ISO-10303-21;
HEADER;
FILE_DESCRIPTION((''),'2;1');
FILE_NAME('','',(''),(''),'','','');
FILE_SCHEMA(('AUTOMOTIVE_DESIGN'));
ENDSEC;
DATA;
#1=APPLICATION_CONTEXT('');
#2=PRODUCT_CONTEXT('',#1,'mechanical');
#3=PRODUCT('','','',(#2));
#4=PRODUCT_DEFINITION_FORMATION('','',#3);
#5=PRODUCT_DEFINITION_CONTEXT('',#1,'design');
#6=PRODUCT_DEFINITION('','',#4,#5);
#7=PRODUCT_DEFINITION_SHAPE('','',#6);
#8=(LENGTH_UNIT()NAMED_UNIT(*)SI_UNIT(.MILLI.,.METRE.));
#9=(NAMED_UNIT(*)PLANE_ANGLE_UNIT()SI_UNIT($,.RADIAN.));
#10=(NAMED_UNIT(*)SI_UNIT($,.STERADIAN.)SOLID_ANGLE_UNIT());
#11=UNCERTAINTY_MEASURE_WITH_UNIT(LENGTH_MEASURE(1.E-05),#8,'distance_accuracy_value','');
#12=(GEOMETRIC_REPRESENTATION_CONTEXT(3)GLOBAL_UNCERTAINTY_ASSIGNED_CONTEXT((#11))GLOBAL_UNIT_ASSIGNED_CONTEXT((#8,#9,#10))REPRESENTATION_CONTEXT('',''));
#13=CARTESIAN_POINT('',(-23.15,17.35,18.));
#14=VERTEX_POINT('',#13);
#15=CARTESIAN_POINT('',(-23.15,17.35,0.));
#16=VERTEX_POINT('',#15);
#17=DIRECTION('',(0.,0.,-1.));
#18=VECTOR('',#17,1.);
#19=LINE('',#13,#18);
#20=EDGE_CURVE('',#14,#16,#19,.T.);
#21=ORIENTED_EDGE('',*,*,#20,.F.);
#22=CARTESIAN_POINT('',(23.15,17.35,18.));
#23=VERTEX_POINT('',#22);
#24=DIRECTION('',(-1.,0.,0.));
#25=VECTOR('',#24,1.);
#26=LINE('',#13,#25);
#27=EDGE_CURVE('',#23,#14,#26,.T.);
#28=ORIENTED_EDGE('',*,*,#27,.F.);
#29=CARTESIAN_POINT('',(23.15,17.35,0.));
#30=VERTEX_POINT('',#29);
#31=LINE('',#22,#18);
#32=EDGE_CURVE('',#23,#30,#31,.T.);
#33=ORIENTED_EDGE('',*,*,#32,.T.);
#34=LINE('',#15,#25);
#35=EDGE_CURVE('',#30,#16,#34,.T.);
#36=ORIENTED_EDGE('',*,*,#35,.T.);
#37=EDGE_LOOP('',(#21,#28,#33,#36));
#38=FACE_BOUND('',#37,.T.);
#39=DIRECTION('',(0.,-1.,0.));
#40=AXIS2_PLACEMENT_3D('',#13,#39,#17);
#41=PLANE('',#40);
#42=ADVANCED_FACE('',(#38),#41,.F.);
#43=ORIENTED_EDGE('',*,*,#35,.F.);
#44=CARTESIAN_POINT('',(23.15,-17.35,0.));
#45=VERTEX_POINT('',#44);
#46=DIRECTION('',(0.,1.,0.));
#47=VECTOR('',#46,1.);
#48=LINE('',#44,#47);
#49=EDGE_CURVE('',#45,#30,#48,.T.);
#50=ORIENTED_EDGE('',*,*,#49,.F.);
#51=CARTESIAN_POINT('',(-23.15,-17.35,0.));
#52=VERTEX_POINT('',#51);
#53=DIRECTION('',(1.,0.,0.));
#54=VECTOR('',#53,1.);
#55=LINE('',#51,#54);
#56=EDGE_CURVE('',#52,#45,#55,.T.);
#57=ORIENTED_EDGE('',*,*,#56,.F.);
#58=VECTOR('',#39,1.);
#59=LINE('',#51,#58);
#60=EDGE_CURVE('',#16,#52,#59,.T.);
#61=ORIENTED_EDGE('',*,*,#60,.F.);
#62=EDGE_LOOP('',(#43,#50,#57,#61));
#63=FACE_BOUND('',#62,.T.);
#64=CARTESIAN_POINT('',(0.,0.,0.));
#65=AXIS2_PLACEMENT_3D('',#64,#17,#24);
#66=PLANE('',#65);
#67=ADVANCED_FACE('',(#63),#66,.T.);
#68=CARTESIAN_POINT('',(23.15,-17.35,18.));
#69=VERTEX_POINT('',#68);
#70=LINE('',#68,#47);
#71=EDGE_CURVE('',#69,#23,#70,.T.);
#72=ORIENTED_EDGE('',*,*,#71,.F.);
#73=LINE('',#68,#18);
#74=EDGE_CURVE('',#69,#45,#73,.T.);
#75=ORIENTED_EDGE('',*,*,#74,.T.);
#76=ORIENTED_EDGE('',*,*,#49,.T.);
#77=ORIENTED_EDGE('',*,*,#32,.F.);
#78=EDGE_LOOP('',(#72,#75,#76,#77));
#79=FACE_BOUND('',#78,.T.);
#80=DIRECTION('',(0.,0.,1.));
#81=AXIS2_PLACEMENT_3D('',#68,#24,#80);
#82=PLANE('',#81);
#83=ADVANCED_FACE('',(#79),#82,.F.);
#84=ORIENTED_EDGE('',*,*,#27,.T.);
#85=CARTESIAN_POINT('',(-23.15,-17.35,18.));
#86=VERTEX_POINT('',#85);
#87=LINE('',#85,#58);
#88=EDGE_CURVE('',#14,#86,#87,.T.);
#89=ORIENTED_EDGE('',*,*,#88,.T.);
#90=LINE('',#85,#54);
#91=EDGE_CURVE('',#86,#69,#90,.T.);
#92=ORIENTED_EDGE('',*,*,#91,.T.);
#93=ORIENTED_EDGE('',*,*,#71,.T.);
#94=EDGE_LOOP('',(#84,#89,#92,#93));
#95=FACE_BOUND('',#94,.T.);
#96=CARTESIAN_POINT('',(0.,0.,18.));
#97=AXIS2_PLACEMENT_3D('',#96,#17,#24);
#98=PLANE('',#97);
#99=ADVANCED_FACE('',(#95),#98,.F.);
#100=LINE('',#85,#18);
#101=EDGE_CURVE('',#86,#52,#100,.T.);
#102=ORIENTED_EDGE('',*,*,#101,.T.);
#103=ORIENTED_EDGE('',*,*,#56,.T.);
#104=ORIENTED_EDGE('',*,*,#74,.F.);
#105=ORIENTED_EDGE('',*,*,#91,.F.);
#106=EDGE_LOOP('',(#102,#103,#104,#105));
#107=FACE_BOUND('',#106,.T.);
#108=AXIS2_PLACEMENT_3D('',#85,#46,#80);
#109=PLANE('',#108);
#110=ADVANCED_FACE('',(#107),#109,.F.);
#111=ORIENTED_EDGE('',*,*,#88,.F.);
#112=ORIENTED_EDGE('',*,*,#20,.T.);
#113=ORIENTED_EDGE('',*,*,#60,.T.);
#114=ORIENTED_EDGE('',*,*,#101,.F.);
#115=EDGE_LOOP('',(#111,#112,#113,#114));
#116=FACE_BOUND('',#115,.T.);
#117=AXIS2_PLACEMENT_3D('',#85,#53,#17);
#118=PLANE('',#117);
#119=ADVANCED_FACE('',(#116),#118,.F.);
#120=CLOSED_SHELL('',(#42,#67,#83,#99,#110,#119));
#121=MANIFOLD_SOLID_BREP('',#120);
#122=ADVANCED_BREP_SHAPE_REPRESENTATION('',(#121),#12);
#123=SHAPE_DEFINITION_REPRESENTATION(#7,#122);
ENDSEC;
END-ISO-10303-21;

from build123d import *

# Parameters (mm, degrees)
SKETCH1_W      = 46.3
SKETCH1_H      = 34.7
ENVELOPE_DEPTH = 18


with BuildPart() as part:
    # Sketch1 → Envelope (new body)
    with BuildSketch(Plane.XY):
        Rectangle(SKETCH1_W, SKETCH1_H)
    extrude(amount=ENVELOPE_DEPTH)


solid = part.part
